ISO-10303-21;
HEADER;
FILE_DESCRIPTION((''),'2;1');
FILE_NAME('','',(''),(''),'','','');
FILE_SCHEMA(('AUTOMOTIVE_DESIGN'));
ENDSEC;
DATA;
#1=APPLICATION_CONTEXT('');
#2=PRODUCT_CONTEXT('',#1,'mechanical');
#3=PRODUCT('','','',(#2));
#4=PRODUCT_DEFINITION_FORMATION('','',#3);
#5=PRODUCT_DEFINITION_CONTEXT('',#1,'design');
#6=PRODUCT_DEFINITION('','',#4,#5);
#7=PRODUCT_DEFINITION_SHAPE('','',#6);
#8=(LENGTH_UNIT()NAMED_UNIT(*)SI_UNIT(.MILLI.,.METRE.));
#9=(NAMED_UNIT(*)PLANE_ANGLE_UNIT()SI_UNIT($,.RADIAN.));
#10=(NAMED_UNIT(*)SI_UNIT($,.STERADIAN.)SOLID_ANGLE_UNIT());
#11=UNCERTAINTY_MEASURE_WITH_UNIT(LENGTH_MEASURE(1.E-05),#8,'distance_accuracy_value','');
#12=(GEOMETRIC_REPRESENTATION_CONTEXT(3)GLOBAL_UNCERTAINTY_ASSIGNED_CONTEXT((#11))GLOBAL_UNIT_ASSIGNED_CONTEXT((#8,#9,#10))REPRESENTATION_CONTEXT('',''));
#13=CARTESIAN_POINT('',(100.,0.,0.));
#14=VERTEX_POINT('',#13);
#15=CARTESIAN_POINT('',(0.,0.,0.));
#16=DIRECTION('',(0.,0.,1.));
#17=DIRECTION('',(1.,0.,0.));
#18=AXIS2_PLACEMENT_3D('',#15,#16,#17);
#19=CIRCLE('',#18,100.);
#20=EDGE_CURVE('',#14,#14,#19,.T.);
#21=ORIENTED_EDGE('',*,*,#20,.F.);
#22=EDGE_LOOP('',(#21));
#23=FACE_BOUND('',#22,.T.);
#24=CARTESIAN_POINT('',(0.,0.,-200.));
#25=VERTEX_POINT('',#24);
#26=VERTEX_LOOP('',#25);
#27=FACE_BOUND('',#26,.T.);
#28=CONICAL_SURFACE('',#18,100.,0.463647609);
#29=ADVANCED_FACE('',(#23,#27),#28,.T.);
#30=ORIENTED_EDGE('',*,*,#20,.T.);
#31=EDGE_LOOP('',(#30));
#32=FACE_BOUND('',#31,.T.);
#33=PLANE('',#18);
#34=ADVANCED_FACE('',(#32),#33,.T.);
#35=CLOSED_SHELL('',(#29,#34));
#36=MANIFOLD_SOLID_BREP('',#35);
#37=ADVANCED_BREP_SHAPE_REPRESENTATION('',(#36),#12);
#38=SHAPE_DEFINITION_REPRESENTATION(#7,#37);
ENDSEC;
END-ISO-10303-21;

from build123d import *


with BuildPart() as part:
    # 草图1 → 旋转1 (revolve)
    with BuildSketch(Plane(origin=(0, 0, 0), x_dir=(1, 0, 0), z_dir=(0, 1, 0))):
        Polygon((0, 0), (100, 0), (0, 200), align=None)
    revolve(axis=Axis((0, 0, 0), (0, 0, -1)))


solid = part.part
